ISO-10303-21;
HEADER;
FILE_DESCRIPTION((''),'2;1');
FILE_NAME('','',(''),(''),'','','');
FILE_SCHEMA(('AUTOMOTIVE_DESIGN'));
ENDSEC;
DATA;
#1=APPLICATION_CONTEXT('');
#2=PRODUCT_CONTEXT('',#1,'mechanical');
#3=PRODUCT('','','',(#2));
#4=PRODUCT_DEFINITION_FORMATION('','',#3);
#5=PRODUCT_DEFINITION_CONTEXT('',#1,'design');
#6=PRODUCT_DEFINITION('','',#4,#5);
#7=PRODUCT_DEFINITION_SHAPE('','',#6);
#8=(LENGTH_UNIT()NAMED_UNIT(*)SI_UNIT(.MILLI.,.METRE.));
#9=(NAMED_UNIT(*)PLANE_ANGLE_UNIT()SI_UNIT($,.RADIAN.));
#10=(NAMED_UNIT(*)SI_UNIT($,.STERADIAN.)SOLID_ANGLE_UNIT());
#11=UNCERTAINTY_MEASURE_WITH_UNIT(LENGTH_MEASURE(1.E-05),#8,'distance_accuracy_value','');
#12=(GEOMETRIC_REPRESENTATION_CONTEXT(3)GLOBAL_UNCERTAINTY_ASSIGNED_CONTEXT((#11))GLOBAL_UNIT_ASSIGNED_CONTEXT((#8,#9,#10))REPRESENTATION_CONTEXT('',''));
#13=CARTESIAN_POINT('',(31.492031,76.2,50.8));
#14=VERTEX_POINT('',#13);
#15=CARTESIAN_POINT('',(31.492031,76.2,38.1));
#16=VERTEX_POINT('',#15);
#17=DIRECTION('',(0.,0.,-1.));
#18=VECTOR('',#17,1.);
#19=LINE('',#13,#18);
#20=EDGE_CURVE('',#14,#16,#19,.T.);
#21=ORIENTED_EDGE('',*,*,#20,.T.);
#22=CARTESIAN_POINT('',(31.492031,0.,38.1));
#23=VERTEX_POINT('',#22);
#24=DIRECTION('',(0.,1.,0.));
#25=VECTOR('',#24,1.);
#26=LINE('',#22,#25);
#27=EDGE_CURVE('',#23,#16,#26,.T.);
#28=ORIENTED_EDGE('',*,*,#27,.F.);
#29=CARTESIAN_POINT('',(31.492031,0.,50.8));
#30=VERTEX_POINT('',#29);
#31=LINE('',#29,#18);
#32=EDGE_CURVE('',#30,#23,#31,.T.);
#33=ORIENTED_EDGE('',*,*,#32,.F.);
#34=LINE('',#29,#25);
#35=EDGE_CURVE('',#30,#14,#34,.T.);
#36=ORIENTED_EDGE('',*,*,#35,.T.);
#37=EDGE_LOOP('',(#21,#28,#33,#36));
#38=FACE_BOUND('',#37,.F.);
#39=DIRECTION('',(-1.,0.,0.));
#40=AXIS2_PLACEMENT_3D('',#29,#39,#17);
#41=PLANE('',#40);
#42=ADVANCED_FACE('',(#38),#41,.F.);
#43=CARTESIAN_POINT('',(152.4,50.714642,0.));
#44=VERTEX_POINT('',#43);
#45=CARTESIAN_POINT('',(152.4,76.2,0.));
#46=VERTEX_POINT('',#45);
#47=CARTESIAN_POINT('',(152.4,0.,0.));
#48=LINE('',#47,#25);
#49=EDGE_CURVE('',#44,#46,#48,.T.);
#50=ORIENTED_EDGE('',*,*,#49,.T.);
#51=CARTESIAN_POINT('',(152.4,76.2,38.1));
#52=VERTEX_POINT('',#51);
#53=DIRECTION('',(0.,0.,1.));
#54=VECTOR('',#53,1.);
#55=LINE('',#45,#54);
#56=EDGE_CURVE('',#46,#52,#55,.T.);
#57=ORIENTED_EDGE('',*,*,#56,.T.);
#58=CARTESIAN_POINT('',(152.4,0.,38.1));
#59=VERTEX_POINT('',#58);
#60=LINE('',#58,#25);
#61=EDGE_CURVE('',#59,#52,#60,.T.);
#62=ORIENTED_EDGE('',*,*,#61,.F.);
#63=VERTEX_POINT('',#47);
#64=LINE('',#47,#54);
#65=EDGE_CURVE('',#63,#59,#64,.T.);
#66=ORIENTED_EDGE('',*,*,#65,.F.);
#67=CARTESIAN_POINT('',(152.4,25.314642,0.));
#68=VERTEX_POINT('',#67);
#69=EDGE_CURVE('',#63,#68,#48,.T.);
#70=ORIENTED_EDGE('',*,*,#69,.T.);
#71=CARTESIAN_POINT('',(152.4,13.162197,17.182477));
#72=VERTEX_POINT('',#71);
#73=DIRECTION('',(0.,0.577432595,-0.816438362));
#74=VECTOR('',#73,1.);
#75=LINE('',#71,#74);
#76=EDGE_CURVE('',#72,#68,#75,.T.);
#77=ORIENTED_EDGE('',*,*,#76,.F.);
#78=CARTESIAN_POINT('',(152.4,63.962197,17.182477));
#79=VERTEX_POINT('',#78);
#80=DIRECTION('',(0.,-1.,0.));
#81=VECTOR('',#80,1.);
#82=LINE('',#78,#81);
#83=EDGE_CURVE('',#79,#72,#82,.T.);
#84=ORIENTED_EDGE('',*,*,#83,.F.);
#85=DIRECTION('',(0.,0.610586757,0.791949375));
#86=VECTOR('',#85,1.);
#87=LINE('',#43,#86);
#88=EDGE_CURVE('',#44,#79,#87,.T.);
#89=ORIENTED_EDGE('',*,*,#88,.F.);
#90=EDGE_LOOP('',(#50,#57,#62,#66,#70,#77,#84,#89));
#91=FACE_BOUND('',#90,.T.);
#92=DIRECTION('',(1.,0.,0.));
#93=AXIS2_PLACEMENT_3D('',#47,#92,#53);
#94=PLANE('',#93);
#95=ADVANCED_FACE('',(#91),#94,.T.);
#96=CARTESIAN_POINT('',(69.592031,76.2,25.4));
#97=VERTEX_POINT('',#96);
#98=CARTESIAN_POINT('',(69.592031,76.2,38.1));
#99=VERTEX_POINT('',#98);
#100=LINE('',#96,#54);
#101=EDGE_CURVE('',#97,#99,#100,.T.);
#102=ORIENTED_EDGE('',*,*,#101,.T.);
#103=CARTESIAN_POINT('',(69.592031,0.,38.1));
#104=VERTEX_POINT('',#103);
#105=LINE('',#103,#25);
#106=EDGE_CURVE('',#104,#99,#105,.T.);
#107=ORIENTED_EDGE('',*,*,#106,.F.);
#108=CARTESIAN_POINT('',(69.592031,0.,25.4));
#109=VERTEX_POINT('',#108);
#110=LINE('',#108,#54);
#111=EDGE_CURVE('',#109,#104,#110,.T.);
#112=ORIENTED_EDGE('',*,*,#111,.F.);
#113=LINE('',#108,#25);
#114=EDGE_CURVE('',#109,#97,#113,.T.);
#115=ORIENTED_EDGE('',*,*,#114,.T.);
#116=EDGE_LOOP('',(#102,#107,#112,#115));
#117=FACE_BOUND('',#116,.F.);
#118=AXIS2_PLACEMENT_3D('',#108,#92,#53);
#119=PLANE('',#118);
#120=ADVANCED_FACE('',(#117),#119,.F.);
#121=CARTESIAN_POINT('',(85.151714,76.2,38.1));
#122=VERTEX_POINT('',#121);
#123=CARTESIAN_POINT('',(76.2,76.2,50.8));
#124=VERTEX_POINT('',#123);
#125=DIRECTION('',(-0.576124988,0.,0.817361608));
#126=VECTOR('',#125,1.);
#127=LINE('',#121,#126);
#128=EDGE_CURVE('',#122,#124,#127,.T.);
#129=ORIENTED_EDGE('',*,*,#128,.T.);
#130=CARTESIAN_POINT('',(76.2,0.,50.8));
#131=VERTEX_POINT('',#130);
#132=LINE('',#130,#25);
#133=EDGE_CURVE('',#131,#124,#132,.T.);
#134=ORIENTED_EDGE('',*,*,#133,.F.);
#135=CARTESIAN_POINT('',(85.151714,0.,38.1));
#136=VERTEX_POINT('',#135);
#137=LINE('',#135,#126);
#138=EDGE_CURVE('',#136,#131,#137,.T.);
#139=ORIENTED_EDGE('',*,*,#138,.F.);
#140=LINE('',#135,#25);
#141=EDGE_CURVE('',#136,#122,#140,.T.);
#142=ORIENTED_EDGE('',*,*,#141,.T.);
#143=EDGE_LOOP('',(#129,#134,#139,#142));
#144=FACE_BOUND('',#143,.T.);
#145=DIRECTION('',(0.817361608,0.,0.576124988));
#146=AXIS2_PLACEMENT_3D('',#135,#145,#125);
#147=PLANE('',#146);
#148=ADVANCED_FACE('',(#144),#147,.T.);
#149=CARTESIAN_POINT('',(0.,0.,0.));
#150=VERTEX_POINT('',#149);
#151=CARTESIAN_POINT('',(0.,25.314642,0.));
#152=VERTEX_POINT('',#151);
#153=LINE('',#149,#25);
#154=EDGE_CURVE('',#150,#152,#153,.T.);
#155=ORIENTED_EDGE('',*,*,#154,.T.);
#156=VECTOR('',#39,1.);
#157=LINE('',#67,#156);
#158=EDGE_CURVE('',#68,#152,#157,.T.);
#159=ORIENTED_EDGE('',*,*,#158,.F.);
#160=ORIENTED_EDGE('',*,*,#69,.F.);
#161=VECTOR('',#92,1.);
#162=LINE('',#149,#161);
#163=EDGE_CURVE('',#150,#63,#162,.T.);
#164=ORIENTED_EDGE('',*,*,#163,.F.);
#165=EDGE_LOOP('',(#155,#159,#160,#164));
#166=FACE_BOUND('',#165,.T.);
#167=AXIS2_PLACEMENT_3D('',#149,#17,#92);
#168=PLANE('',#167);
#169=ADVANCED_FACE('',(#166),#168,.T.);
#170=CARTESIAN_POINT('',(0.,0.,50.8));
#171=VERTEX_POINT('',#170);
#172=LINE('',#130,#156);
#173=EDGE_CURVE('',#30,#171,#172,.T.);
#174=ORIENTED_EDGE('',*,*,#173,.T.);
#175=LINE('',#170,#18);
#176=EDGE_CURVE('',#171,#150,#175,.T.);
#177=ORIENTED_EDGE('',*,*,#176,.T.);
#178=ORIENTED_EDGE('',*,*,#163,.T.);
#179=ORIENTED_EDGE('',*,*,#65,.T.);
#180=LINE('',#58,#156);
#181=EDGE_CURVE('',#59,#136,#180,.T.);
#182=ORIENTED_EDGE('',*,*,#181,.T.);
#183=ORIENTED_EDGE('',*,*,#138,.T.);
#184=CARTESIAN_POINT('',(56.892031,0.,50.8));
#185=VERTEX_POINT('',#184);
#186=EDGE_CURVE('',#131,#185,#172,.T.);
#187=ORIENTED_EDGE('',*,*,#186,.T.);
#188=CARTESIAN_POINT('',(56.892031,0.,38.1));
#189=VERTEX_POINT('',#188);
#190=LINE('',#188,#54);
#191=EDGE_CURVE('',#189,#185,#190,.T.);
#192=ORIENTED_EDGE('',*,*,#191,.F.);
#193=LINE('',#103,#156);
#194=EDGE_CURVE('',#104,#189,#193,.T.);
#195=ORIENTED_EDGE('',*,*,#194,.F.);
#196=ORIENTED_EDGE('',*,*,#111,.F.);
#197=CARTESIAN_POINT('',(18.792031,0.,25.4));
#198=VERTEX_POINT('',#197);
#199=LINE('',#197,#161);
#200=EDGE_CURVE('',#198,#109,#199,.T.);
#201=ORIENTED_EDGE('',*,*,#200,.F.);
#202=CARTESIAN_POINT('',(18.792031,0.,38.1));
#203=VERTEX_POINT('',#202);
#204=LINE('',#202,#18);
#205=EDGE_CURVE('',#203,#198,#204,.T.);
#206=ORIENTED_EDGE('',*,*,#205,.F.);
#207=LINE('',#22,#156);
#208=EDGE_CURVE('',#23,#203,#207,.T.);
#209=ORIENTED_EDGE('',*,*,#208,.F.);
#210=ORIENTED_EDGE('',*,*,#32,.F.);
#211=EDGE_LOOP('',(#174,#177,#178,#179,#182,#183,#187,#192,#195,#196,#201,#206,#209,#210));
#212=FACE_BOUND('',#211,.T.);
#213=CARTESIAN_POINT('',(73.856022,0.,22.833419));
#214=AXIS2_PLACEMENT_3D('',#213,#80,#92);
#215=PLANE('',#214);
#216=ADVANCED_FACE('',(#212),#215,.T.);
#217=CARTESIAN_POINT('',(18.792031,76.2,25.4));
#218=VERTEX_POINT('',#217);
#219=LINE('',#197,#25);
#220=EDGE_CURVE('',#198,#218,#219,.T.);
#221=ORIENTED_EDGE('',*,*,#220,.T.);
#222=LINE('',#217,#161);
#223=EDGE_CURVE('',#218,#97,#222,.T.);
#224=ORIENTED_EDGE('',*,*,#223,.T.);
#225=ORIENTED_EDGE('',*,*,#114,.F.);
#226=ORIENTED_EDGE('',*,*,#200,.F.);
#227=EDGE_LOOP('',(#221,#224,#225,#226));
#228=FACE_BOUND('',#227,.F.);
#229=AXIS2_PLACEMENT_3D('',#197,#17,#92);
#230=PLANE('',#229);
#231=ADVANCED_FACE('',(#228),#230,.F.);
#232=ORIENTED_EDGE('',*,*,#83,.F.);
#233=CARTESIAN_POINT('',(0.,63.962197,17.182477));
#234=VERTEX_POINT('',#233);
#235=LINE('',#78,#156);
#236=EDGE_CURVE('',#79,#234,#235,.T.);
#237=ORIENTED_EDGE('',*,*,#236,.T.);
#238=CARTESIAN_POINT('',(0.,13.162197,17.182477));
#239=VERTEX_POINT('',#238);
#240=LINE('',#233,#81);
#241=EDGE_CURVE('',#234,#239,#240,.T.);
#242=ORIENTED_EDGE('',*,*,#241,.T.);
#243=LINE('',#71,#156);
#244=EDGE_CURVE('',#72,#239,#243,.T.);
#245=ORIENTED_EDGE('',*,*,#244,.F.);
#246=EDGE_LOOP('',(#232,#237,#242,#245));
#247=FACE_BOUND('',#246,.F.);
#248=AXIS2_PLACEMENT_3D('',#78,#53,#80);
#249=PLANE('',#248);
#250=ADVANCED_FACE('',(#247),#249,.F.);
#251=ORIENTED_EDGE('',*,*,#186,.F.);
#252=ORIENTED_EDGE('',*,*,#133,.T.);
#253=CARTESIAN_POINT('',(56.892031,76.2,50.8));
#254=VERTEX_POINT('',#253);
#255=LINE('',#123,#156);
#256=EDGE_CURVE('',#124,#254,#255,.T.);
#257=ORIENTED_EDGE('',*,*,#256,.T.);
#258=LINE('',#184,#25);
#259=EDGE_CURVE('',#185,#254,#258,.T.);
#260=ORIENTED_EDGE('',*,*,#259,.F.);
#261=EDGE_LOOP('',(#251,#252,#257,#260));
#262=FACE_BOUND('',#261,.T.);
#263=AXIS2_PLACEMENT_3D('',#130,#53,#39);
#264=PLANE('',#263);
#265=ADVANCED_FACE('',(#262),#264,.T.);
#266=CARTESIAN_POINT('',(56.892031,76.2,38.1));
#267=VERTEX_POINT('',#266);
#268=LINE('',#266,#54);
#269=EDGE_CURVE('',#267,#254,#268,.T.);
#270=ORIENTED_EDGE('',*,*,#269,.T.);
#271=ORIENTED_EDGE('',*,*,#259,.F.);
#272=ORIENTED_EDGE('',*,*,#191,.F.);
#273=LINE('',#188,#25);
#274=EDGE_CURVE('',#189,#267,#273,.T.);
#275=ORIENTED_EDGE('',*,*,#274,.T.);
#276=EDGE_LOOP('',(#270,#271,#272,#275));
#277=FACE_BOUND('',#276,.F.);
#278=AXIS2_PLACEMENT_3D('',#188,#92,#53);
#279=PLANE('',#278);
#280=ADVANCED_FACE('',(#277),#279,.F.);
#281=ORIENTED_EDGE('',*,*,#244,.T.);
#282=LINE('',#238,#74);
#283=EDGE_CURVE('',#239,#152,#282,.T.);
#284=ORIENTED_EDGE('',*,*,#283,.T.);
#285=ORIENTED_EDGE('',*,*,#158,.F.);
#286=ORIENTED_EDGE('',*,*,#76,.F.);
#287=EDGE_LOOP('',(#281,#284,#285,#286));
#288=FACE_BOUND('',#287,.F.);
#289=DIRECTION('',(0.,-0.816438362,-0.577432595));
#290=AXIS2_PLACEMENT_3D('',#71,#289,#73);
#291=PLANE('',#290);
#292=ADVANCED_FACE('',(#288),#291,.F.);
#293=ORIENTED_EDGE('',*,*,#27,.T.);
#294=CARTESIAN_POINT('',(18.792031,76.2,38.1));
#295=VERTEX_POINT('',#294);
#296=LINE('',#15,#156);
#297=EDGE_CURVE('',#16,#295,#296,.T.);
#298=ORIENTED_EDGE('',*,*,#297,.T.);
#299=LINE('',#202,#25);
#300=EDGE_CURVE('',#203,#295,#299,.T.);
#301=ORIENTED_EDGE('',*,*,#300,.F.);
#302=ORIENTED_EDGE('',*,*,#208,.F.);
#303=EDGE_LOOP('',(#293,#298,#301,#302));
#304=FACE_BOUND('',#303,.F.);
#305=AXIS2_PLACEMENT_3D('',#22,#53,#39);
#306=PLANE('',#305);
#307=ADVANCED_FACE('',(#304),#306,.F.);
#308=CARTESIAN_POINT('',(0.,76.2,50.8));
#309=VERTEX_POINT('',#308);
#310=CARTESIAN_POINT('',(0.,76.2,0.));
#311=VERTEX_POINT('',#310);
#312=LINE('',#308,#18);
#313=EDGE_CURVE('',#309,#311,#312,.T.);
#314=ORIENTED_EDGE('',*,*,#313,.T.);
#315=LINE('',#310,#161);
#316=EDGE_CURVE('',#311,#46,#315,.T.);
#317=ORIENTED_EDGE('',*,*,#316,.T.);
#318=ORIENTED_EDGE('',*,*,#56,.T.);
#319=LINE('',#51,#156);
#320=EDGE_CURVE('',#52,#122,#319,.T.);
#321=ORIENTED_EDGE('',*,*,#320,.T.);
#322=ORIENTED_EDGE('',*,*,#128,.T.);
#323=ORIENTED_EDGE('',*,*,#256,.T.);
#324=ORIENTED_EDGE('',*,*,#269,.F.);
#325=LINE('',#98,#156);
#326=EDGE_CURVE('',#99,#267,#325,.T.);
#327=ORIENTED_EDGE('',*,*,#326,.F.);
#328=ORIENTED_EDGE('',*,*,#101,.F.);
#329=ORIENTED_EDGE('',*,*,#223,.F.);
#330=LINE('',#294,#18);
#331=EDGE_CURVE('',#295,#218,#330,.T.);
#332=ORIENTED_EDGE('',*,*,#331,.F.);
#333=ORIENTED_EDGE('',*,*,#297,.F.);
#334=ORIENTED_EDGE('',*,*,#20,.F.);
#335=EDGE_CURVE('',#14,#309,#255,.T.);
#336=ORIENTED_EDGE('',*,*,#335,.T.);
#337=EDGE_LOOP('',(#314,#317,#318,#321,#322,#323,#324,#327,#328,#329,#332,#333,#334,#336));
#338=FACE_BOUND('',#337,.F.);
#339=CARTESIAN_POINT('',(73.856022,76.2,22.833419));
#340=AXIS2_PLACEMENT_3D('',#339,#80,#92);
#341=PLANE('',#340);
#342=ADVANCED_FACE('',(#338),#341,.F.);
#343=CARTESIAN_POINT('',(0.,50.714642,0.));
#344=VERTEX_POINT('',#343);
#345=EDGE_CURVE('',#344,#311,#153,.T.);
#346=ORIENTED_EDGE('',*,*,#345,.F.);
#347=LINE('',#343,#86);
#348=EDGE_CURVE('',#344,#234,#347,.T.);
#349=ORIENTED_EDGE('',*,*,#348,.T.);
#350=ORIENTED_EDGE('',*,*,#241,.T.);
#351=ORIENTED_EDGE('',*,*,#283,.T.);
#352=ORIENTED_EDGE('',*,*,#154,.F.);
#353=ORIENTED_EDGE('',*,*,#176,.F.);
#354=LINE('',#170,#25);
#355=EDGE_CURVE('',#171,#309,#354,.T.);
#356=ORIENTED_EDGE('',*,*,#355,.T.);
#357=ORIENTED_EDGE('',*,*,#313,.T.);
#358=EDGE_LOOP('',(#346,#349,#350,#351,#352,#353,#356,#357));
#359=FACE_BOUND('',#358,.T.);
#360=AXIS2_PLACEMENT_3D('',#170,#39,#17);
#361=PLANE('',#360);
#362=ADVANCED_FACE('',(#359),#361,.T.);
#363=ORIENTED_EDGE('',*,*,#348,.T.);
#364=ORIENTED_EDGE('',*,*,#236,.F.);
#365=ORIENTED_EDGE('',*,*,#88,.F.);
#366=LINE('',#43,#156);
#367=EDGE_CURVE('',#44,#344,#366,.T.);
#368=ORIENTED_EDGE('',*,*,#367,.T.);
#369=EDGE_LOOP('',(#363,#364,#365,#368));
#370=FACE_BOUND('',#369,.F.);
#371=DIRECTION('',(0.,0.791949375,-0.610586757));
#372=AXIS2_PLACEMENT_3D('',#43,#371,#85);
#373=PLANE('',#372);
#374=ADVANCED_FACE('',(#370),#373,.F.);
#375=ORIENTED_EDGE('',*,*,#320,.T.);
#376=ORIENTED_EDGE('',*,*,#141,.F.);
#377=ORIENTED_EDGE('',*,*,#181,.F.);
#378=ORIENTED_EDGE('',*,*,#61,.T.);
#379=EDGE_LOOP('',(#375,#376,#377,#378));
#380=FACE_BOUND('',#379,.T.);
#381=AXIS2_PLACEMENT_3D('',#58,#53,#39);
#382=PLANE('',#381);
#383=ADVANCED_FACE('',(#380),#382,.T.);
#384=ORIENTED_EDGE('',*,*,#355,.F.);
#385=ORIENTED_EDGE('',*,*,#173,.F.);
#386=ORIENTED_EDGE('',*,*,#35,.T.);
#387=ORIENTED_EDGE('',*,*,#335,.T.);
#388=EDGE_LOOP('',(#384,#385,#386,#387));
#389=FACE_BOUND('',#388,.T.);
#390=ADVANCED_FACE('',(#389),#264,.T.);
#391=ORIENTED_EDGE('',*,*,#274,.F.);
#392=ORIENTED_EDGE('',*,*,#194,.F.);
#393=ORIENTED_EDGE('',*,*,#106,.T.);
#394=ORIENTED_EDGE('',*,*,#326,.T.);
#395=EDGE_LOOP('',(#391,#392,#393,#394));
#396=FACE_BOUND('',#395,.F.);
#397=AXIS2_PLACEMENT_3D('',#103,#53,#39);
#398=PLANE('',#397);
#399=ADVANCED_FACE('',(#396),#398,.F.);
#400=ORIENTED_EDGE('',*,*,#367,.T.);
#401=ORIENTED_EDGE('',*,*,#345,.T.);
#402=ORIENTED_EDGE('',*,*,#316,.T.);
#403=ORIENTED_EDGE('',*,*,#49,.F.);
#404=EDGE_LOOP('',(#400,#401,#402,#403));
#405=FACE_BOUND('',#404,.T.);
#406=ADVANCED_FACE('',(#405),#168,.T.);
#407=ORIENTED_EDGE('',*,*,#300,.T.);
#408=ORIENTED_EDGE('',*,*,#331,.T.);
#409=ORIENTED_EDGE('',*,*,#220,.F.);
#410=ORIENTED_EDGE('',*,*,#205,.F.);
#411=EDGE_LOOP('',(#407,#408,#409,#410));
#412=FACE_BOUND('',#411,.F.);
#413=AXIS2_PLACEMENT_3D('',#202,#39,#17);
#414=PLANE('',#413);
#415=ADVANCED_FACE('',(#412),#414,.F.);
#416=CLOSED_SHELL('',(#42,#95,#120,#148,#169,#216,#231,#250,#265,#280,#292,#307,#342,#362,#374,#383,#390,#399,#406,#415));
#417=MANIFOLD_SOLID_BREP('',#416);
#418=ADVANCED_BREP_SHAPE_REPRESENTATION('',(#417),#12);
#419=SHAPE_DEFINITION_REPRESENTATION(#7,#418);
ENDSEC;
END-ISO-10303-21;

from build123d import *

# Parameters (mm, degrees)
F1_DEPTH = 76.2
F3_DEPTH = 76.2
F5_DEPTH = 152.4


with BuildPart() as f1:
    # F0 (on Front) → F1 (new body)
    with BuildSketch(Plane.XZ):
        Polygon((0, 50.8), (0, 0), (152.4, 0), (152.4, 38.1), (85.151714, 38.1), (76.2, 50.8), align=None)
    extrude(amount=-F1_DEPTH)

    # F2 (on face) → F3 (cut)
    with BuildSketch(Plane.XZ):
        Polygon((56.892031, 50.8), (31.492031, 50.8), (31.492031, 38.1), (18.792031, 38.1), (18.792031, 25.4), (69.592031, 25.4), (69.592031, 38.1), (56.892031, 38.1), align=None)
    extrude(amount=-F3_DEPTH, mode=Mode.SUBTRACT)

    # F4 (on face) → F5 (cut)
    with BuildSketch(Plane.YZ.offset(152.4)):
        Polygon((63.962197, 17.182477), (13.162197, 17.182477), (25.314642, 0), (50.714642, 0), align=None)
    extrude(amount=-F5_DEPTH, mode=Mode.SUBTRACT)


solid = f1.part
